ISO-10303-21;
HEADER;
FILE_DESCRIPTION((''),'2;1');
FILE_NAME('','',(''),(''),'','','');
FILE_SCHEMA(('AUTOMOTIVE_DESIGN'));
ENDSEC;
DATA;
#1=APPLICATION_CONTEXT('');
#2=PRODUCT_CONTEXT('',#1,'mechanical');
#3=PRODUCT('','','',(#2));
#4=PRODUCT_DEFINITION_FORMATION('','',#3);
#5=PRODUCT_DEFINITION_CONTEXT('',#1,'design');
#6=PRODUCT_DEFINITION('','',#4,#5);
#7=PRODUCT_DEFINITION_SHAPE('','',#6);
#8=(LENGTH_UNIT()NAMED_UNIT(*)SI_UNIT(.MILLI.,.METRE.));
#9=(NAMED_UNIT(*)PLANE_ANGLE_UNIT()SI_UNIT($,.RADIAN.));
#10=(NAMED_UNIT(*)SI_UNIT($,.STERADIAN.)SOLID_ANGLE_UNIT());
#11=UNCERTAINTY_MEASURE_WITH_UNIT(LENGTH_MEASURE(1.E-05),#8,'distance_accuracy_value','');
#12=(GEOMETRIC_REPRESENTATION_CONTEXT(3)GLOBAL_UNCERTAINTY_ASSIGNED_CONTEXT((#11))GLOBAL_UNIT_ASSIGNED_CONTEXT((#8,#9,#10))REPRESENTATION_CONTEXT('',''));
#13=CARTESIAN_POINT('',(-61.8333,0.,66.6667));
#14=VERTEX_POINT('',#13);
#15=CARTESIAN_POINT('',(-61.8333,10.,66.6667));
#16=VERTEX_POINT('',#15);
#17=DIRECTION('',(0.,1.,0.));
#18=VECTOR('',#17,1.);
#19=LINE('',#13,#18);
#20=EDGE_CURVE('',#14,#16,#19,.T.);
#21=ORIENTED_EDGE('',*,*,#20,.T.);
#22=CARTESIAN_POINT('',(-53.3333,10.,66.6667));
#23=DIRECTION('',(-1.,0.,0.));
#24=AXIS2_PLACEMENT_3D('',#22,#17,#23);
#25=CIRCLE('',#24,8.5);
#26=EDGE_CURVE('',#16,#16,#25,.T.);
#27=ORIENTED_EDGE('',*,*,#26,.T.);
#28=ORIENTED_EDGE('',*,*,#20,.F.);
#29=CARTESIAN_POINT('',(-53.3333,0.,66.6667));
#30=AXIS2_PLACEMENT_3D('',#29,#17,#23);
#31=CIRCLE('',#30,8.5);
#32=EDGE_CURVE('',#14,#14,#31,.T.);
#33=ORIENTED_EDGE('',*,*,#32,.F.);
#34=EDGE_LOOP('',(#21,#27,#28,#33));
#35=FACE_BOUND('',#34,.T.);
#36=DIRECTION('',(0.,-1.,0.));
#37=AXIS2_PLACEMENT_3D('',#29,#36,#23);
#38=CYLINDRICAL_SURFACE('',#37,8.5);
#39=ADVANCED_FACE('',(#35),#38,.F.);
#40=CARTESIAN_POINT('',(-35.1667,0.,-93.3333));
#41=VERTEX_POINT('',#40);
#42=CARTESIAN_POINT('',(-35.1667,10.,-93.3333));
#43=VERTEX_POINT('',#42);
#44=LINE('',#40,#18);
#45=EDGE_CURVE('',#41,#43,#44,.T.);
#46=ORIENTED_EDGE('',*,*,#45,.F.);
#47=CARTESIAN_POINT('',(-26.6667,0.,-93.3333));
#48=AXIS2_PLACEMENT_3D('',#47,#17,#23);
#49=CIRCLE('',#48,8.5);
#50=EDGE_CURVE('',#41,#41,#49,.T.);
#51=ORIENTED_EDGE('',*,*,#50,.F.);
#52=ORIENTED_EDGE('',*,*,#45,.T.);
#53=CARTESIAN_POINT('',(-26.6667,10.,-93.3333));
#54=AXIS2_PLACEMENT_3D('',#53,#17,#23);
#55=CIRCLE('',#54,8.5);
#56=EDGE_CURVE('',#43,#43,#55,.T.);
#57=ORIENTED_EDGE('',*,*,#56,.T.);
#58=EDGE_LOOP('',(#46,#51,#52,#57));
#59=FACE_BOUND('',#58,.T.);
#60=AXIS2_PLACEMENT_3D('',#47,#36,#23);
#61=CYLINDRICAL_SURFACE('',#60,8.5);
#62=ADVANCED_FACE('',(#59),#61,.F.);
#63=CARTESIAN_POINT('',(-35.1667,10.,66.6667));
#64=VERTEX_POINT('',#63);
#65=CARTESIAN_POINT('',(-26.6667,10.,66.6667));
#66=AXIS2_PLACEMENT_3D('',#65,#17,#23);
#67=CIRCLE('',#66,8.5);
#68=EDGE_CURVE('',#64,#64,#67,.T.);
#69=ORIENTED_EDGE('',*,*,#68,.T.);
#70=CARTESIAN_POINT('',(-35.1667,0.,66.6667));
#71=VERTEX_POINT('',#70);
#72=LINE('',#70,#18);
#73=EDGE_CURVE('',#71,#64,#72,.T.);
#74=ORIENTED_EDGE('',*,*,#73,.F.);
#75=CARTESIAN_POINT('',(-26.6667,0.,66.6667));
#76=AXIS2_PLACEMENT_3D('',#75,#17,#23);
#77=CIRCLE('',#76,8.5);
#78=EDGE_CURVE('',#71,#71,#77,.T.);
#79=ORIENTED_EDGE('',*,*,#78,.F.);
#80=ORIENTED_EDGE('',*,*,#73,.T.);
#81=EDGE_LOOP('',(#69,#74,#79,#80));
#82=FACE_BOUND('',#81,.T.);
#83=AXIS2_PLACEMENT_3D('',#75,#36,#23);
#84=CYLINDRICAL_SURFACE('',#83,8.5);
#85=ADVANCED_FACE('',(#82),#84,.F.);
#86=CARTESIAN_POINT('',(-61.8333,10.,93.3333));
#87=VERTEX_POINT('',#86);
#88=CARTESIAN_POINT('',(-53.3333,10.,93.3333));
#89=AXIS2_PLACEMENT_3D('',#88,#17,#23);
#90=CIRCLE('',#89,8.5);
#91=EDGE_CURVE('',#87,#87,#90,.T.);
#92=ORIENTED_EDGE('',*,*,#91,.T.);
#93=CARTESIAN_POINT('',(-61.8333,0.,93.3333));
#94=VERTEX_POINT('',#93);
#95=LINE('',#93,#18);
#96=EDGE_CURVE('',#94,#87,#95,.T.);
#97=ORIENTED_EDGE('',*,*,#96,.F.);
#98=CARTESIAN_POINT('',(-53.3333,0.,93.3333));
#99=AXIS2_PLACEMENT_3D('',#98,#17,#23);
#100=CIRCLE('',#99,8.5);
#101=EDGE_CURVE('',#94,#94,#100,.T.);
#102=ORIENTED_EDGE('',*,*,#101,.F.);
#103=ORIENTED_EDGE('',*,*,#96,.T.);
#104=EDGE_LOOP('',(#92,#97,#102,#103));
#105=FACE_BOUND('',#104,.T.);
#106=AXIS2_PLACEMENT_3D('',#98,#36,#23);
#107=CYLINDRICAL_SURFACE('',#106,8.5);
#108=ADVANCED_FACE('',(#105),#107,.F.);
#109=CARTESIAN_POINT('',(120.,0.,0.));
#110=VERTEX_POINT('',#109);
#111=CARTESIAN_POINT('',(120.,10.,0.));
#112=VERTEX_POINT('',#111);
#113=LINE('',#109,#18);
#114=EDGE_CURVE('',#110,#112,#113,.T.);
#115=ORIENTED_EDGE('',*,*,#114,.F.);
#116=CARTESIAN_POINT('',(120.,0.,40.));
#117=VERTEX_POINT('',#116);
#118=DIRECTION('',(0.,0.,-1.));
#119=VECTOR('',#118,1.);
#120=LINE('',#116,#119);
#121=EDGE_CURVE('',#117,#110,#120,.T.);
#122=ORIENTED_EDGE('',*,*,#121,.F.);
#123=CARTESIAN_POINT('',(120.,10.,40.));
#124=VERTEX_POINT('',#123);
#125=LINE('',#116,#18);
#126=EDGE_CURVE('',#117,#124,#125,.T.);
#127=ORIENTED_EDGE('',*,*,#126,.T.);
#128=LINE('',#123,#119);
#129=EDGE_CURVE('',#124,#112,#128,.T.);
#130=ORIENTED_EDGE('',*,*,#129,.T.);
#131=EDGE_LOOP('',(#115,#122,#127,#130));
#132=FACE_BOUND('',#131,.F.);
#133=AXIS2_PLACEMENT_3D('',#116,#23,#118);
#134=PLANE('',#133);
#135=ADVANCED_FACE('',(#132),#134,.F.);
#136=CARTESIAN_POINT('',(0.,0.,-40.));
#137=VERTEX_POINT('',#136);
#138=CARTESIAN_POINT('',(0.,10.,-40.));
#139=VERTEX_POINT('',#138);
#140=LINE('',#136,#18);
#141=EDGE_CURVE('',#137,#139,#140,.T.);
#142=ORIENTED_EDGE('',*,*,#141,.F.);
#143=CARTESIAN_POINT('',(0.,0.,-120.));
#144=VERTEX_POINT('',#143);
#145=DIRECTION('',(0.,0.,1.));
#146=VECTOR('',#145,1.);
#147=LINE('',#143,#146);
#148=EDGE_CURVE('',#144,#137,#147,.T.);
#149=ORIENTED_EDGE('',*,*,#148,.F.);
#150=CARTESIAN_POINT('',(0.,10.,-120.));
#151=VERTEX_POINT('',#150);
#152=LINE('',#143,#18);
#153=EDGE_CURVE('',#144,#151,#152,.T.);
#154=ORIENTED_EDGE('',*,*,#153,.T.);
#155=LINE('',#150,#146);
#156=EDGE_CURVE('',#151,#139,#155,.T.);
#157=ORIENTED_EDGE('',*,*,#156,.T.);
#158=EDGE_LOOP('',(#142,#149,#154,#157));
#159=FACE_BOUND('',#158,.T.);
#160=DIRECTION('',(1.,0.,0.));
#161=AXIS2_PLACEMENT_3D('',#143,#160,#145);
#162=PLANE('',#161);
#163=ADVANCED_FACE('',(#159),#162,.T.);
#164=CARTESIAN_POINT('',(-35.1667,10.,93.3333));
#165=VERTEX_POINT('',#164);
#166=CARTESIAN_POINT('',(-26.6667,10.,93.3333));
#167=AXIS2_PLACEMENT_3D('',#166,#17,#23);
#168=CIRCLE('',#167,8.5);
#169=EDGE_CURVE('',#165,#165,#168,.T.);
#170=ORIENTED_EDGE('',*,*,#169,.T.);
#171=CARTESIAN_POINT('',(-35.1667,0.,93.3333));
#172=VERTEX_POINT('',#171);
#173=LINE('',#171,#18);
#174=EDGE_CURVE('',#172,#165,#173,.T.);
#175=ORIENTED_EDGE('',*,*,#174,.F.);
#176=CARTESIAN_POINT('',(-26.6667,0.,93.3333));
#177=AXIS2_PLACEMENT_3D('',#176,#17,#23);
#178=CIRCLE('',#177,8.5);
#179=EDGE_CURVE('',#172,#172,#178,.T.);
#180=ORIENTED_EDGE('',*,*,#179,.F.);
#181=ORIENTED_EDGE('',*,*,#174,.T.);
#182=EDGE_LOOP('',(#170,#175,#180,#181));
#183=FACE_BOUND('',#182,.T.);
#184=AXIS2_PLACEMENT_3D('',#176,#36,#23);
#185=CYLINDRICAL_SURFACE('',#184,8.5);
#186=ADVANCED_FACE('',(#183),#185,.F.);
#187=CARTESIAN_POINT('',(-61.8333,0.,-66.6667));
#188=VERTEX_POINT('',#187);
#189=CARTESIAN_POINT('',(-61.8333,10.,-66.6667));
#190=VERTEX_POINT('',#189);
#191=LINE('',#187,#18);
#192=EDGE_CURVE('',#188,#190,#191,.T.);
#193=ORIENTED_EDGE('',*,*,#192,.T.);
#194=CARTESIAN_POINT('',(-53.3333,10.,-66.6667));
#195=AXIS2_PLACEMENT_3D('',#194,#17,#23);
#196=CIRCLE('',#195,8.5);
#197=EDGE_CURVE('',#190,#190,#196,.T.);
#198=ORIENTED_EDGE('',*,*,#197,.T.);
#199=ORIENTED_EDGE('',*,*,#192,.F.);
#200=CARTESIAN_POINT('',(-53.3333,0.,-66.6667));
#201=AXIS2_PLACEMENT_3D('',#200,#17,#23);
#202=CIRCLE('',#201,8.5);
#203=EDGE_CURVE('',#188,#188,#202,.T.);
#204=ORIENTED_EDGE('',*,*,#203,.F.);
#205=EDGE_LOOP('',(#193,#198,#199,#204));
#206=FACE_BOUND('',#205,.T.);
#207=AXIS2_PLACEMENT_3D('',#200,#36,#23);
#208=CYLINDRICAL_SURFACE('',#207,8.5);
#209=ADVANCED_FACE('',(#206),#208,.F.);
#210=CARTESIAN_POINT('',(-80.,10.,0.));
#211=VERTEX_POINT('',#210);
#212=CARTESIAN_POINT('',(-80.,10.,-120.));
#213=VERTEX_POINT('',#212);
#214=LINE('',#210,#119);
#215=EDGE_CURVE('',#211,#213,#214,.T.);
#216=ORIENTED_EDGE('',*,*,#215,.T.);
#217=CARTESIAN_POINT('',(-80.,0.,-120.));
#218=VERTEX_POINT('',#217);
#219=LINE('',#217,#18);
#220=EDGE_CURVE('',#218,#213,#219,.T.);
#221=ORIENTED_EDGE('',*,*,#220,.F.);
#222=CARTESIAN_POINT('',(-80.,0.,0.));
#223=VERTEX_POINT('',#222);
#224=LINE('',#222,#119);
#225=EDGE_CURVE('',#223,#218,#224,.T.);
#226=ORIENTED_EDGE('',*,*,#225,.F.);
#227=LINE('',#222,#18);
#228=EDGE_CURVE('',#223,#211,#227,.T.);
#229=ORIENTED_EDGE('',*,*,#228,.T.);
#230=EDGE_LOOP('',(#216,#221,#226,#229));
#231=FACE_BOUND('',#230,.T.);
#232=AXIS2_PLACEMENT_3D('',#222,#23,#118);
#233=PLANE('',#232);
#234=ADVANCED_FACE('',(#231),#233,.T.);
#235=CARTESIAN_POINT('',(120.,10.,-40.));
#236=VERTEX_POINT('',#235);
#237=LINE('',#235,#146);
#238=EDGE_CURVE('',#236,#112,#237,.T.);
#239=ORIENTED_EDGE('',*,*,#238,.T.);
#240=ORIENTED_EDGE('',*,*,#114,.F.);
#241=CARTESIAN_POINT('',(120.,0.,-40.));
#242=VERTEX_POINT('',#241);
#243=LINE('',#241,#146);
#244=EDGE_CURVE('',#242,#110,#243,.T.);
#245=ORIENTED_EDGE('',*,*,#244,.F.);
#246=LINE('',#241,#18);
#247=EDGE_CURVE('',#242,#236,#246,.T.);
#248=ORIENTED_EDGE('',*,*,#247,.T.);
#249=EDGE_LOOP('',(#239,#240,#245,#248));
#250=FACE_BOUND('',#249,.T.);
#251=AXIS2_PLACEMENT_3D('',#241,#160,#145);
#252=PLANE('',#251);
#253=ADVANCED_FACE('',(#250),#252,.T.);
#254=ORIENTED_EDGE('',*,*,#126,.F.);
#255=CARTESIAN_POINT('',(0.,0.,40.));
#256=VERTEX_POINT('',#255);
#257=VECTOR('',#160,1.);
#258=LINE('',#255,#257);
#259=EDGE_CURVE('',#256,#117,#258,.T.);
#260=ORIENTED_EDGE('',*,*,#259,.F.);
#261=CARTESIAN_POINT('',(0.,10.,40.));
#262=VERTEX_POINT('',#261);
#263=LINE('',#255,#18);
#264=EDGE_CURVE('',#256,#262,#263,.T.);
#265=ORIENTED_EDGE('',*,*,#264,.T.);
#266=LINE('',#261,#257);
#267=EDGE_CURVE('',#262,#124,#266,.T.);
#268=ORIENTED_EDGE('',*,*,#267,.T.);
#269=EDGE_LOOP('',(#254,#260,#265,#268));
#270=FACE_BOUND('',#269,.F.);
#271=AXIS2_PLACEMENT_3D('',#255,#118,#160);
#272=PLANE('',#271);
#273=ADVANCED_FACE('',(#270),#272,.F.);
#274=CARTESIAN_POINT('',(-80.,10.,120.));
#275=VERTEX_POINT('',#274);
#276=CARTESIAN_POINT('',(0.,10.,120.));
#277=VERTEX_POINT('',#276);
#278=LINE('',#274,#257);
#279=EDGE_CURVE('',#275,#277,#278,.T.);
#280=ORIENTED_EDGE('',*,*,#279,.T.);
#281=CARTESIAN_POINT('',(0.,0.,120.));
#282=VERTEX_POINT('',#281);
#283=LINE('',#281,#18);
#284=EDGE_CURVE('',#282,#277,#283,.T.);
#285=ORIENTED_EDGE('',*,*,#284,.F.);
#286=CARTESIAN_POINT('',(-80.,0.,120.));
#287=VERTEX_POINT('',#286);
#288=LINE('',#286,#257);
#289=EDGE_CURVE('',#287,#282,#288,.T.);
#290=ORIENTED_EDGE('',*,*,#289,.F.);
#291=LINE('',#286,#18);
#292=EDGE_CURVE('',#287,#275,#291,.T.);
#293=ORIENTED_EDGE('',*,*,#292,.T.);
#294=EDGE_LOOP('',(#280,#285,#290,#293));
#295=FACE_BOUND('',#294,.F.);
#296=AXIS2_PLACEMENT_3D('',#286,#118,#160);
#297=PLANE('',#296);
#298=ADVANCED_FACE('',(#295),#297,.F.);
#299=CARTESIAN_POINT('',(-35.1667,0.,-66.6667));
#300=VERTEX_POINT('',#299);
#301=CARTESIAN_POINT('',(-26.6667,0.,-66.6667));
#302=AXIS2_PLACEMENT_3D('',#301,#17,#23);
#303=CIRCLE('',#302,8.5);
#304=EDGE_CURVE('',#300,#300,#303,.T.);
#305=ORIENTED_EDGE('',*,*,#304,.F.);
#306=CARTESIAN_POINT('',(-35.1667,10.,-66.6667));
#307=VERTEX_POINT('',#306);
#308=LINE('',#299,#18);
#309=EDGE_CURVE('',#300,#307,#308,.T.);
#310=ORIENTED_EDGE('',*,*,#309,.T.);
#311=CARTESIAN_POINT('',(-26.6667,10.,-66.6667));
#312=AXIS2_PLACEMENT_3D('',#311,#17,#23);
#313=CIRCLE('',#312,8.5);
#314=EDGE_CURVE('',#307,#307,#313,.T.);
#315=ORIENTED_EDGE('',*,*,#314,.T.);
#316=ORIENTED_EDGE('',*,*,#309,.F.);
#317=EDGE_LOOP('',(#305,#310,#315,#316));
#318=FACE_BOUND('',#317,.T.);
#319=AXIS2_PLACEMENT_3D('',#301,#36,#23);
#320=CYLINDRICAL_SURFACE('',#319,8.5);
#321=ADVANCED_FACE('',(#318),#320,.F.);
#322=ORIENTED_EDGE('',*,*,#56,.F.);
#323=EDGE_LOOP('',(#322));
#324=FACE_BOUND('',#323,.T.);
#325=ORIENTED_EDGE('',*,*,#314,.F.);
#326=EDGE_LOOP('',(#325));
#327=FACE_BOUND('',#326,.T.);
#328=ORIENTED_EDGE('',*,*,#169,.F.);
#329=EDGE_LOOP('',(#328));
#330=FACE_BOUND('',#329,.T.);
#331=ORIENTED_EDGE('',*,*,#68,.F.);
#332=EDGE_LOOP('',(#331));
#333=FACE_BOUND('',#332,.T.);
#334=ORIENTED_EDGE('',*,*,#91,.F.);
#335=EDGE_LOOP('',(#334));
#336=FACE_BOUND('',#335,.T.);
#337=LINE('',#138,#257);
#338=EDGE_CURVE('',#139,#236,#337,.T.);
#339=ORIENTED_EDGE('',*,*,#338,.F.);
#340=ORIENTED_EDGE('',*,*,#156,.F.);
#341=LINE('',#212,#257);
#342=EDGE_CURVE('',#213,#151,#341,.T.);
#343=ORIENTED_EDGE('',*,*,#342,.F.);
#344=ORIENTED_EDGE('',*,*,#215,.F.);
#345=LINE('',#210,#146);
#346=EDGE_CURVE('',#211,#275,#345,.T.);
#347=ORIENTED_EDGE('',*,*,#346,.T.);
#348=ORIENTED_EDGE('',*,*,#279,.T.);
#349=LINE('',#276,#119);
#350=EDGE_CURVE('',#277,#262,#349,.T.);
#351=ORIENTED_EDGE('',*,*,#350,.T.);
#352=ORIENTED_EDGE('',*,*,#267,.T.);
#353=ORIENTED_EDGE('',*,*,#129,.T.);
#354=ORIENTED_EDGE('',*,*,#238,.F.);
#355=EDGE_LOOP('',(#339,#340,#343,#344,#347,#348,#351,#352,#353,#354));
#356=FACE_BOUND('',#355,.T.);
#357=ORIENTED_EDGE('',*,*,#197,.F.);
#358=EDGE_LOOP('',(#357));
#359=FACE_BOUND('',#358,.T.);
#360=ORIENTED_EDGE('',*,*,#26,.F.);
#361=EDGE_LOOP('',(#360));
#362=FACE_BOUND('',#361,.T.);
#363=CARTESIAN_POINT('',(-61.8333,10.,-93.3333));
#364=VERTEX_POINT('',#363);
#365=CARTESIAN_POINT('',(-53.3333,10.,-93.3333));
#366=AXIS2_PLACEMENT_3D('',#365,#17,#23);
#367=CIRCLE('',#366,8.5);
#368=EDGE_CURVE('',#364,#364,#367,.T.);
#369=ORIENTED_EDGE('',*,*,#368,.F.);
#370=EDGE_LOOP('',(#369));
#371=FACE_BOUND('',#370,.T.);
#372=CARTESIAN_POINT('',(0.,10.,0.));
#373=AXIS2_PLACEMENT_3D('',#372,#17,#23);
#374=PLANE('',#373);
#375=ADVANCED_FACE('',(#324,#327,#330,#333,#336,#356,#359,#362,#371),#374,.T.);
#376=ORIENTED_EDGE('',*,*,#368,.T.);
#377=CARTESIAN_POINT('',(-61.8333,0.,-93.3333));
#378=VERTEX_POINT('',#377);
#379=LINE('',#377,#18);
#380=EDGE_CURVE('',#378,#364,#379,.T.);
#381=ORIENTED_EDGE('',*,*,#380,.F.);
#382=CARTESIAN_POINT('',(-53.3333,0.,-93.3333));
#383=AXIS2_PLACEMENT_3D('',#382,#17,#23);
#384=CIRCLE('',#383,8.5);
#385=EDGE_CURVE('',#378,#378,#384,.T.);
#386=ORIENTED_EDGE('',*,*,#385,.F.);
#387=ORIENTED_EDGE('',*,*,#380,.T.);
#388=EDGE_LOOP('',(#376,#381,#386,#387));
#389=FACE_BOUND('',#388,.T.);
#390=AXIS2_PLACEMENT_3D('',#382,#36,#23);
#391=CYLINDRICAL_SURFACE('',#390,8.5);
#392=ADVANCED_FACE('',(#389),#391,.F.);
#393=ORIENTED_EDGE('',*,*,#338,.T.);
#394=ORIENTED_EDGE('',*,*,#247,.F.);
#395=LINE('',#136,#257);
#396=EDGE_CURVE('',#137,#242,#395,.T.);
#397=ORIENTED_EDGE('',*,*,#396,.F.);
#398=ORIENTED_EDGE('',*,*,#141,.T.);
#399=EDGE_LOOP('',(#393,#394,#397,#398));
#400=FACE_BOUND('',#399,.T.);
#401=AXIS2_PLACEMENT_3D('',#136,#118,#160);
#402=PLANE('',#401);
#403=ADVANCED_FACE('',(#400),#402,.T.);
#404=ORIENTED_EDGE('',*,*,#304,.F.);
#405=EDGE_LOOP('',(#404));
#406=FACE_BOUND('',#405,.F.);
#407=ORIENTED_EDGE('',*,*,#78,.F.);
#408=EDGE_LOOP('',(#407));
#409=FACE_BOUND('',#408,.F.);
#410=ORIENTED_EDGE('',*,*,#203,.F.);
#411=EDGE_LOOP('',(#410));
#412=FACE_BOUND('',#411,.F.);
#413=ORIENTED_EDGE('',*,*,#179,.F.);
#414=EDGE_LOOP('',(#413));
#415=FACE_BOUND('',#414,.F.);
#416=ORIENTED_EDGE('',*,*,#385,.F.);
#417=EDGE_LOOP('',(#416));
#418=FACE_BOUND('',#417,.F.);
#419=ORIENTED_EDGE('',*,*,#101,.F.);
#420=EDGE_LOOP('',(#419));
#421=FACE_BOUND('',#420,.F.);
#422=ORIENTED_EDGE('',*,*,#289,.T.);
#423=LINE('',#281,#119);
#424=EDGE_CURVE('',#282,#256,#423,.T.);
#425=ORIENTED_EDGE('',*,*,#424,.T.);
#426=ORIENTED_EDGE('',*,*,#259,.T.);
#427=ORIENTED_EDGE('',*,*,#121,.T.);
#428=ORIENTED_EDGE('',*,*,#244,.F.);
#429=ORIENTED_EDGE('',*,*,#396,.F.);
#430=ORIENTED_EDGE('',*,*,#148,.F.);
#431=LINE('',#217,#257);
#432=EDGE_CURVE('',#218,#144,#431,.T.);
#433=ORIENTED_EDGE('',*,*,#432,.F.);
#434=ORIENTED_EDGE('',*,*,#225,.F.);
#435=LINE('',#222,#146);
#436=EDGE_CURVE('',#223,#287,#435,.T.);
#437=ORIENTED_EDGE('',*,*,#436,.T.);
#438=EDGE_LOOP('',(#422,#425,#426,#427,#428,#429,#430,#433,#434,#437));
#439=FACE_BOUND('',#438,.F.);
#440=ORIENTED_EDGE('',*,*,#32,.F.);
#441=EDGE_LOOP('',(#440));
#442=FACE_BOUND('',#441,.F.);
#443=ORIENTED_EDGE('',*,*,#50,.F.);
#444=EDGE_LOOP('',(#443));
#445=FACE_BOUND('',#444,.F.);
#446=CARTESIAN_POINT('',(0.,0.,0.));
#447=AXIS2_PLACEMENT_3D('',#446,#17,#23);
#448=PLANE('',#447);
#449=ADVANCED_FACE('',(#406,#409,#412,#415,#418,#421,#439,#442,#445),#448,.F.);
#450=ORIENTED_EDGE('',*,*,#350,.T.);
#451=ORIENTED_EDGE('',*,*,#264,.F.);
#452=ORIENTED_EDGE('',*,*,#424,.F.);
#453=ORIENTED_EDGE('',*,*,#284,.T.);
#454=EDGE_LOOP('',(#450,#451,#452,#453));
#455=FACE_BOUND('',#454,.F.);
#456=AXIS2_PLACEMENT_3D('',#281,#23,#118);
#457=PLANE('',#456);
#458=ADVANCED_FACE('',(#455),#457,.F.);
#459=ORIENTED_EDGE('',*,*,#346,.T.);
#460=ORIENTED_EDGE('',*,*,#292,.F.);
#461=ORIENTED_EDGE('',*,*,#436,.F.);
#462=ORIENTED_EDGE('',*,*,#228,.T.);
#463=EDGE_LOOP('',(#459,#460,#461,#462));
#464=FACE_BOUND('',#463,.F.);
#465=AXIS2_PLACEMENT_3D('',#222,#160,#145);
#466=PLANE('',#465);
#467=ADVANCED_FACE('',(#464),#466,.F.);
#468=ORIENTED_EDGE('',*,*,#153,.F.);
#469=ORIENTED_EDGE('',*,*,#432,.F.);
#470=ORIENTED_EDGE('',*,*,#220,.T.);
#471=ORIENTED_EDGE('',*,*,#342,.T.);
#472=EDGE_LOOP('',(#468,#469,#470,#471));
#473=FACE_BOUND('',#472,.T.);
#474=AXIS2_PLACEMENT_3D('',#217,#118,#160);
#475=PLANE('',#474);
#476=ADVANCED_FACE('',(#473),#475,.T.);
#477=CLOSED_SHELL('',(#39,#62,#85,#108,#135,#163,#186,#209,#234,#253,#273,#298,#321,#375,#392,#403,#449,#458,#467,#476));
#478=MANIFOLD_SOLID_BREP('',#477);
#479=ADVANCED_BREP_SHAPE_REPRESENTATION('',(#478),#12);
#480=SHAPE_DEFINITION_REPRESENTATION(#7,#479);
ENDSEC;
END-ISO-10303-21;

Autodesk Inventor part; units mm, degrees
ref_plane "YZ Plane" through (0, 0, 0) normal (1, 0, 0) x (0, 1, 0)
ref_plane "XZ Plane" through (0, 0, 0) normal (0, 1, 0) x (-1, 0, 0)
ref_plane "XY Plane" through (0, 0, 0) normal (0, 0, 1) x (1, 0, 0)
sketch "Эскиз1" plane through (0, 0, 0) normal (0, 1, 0) x (-1, 0, 0)
  line L0 (118.3558, 0) -> (-118.3558, 0) construction
  line L1 (80, 0) -> (80, 120)
  line L2 (80, 120) -> (0, 120)
  line L3 (0, 120) -> (0, 40)
  line L4 (0, 40) -> (-120, 40)
  line L5 (-120, 40) -> (-120, 0)
  circle A0 centre (53.3333, 93.3333) radius 8.5
  circle A1 centre (53.3333, 66.6667) radius 8.5
  circle A2 centre (26.6667, 93.3333) radius 8.5
  circle A3 centre (26.6667, 66.6667) radius 8.5
  line L6 (0, 40) -> (80, 40) construction
  line L7 (80, 0) -> (80, -120)
  line L8 (80, -120) -> (0, -120)
  line L9 (0, -120) -> (0, -40)
  line L10 (0, -40) -> (-120, -40)
  line L11 (-120, -40) -> (-120, 0)
  circle A4 centre (53.3333, -93.3333) radius 8.5
  circle A5 centre (53.3333, -66.6667) radius 8.5
  circle A6 centre (26.6667, -93.3333) radius 8.5
  circle A7 centre (26.6667, -66.6667) radius 8.5
  line L12 (0, -40) -> (80, -40) construction
  point P0 (0, 0)
  point P1 (0, 0)
  dimension "d0" = 200
  dimension "d1" = 80
  dimension "d2" = 80
  dimension "d3" = 120
  dimension "d5" = 17
  dimension "d7" = 26.6667
  dimension "d8" = 26.6667
  dimension "d9" = 26.6667
  dimension "d10" = 26.6667
extrude "Пластина1" add sketch "Эскиз1" along normal blind 10
equation "\"d8\" = d7"
equation "\"d9\" = d7"
equation "\"d10\" = d9"
equation "\"d11\" = Толщина"
equation "\"Глубина_просечки\" = 0.5 * Толщина"
equation "\"Толщина\" = 10"
properties part number "Lift.03.02.00.01"
